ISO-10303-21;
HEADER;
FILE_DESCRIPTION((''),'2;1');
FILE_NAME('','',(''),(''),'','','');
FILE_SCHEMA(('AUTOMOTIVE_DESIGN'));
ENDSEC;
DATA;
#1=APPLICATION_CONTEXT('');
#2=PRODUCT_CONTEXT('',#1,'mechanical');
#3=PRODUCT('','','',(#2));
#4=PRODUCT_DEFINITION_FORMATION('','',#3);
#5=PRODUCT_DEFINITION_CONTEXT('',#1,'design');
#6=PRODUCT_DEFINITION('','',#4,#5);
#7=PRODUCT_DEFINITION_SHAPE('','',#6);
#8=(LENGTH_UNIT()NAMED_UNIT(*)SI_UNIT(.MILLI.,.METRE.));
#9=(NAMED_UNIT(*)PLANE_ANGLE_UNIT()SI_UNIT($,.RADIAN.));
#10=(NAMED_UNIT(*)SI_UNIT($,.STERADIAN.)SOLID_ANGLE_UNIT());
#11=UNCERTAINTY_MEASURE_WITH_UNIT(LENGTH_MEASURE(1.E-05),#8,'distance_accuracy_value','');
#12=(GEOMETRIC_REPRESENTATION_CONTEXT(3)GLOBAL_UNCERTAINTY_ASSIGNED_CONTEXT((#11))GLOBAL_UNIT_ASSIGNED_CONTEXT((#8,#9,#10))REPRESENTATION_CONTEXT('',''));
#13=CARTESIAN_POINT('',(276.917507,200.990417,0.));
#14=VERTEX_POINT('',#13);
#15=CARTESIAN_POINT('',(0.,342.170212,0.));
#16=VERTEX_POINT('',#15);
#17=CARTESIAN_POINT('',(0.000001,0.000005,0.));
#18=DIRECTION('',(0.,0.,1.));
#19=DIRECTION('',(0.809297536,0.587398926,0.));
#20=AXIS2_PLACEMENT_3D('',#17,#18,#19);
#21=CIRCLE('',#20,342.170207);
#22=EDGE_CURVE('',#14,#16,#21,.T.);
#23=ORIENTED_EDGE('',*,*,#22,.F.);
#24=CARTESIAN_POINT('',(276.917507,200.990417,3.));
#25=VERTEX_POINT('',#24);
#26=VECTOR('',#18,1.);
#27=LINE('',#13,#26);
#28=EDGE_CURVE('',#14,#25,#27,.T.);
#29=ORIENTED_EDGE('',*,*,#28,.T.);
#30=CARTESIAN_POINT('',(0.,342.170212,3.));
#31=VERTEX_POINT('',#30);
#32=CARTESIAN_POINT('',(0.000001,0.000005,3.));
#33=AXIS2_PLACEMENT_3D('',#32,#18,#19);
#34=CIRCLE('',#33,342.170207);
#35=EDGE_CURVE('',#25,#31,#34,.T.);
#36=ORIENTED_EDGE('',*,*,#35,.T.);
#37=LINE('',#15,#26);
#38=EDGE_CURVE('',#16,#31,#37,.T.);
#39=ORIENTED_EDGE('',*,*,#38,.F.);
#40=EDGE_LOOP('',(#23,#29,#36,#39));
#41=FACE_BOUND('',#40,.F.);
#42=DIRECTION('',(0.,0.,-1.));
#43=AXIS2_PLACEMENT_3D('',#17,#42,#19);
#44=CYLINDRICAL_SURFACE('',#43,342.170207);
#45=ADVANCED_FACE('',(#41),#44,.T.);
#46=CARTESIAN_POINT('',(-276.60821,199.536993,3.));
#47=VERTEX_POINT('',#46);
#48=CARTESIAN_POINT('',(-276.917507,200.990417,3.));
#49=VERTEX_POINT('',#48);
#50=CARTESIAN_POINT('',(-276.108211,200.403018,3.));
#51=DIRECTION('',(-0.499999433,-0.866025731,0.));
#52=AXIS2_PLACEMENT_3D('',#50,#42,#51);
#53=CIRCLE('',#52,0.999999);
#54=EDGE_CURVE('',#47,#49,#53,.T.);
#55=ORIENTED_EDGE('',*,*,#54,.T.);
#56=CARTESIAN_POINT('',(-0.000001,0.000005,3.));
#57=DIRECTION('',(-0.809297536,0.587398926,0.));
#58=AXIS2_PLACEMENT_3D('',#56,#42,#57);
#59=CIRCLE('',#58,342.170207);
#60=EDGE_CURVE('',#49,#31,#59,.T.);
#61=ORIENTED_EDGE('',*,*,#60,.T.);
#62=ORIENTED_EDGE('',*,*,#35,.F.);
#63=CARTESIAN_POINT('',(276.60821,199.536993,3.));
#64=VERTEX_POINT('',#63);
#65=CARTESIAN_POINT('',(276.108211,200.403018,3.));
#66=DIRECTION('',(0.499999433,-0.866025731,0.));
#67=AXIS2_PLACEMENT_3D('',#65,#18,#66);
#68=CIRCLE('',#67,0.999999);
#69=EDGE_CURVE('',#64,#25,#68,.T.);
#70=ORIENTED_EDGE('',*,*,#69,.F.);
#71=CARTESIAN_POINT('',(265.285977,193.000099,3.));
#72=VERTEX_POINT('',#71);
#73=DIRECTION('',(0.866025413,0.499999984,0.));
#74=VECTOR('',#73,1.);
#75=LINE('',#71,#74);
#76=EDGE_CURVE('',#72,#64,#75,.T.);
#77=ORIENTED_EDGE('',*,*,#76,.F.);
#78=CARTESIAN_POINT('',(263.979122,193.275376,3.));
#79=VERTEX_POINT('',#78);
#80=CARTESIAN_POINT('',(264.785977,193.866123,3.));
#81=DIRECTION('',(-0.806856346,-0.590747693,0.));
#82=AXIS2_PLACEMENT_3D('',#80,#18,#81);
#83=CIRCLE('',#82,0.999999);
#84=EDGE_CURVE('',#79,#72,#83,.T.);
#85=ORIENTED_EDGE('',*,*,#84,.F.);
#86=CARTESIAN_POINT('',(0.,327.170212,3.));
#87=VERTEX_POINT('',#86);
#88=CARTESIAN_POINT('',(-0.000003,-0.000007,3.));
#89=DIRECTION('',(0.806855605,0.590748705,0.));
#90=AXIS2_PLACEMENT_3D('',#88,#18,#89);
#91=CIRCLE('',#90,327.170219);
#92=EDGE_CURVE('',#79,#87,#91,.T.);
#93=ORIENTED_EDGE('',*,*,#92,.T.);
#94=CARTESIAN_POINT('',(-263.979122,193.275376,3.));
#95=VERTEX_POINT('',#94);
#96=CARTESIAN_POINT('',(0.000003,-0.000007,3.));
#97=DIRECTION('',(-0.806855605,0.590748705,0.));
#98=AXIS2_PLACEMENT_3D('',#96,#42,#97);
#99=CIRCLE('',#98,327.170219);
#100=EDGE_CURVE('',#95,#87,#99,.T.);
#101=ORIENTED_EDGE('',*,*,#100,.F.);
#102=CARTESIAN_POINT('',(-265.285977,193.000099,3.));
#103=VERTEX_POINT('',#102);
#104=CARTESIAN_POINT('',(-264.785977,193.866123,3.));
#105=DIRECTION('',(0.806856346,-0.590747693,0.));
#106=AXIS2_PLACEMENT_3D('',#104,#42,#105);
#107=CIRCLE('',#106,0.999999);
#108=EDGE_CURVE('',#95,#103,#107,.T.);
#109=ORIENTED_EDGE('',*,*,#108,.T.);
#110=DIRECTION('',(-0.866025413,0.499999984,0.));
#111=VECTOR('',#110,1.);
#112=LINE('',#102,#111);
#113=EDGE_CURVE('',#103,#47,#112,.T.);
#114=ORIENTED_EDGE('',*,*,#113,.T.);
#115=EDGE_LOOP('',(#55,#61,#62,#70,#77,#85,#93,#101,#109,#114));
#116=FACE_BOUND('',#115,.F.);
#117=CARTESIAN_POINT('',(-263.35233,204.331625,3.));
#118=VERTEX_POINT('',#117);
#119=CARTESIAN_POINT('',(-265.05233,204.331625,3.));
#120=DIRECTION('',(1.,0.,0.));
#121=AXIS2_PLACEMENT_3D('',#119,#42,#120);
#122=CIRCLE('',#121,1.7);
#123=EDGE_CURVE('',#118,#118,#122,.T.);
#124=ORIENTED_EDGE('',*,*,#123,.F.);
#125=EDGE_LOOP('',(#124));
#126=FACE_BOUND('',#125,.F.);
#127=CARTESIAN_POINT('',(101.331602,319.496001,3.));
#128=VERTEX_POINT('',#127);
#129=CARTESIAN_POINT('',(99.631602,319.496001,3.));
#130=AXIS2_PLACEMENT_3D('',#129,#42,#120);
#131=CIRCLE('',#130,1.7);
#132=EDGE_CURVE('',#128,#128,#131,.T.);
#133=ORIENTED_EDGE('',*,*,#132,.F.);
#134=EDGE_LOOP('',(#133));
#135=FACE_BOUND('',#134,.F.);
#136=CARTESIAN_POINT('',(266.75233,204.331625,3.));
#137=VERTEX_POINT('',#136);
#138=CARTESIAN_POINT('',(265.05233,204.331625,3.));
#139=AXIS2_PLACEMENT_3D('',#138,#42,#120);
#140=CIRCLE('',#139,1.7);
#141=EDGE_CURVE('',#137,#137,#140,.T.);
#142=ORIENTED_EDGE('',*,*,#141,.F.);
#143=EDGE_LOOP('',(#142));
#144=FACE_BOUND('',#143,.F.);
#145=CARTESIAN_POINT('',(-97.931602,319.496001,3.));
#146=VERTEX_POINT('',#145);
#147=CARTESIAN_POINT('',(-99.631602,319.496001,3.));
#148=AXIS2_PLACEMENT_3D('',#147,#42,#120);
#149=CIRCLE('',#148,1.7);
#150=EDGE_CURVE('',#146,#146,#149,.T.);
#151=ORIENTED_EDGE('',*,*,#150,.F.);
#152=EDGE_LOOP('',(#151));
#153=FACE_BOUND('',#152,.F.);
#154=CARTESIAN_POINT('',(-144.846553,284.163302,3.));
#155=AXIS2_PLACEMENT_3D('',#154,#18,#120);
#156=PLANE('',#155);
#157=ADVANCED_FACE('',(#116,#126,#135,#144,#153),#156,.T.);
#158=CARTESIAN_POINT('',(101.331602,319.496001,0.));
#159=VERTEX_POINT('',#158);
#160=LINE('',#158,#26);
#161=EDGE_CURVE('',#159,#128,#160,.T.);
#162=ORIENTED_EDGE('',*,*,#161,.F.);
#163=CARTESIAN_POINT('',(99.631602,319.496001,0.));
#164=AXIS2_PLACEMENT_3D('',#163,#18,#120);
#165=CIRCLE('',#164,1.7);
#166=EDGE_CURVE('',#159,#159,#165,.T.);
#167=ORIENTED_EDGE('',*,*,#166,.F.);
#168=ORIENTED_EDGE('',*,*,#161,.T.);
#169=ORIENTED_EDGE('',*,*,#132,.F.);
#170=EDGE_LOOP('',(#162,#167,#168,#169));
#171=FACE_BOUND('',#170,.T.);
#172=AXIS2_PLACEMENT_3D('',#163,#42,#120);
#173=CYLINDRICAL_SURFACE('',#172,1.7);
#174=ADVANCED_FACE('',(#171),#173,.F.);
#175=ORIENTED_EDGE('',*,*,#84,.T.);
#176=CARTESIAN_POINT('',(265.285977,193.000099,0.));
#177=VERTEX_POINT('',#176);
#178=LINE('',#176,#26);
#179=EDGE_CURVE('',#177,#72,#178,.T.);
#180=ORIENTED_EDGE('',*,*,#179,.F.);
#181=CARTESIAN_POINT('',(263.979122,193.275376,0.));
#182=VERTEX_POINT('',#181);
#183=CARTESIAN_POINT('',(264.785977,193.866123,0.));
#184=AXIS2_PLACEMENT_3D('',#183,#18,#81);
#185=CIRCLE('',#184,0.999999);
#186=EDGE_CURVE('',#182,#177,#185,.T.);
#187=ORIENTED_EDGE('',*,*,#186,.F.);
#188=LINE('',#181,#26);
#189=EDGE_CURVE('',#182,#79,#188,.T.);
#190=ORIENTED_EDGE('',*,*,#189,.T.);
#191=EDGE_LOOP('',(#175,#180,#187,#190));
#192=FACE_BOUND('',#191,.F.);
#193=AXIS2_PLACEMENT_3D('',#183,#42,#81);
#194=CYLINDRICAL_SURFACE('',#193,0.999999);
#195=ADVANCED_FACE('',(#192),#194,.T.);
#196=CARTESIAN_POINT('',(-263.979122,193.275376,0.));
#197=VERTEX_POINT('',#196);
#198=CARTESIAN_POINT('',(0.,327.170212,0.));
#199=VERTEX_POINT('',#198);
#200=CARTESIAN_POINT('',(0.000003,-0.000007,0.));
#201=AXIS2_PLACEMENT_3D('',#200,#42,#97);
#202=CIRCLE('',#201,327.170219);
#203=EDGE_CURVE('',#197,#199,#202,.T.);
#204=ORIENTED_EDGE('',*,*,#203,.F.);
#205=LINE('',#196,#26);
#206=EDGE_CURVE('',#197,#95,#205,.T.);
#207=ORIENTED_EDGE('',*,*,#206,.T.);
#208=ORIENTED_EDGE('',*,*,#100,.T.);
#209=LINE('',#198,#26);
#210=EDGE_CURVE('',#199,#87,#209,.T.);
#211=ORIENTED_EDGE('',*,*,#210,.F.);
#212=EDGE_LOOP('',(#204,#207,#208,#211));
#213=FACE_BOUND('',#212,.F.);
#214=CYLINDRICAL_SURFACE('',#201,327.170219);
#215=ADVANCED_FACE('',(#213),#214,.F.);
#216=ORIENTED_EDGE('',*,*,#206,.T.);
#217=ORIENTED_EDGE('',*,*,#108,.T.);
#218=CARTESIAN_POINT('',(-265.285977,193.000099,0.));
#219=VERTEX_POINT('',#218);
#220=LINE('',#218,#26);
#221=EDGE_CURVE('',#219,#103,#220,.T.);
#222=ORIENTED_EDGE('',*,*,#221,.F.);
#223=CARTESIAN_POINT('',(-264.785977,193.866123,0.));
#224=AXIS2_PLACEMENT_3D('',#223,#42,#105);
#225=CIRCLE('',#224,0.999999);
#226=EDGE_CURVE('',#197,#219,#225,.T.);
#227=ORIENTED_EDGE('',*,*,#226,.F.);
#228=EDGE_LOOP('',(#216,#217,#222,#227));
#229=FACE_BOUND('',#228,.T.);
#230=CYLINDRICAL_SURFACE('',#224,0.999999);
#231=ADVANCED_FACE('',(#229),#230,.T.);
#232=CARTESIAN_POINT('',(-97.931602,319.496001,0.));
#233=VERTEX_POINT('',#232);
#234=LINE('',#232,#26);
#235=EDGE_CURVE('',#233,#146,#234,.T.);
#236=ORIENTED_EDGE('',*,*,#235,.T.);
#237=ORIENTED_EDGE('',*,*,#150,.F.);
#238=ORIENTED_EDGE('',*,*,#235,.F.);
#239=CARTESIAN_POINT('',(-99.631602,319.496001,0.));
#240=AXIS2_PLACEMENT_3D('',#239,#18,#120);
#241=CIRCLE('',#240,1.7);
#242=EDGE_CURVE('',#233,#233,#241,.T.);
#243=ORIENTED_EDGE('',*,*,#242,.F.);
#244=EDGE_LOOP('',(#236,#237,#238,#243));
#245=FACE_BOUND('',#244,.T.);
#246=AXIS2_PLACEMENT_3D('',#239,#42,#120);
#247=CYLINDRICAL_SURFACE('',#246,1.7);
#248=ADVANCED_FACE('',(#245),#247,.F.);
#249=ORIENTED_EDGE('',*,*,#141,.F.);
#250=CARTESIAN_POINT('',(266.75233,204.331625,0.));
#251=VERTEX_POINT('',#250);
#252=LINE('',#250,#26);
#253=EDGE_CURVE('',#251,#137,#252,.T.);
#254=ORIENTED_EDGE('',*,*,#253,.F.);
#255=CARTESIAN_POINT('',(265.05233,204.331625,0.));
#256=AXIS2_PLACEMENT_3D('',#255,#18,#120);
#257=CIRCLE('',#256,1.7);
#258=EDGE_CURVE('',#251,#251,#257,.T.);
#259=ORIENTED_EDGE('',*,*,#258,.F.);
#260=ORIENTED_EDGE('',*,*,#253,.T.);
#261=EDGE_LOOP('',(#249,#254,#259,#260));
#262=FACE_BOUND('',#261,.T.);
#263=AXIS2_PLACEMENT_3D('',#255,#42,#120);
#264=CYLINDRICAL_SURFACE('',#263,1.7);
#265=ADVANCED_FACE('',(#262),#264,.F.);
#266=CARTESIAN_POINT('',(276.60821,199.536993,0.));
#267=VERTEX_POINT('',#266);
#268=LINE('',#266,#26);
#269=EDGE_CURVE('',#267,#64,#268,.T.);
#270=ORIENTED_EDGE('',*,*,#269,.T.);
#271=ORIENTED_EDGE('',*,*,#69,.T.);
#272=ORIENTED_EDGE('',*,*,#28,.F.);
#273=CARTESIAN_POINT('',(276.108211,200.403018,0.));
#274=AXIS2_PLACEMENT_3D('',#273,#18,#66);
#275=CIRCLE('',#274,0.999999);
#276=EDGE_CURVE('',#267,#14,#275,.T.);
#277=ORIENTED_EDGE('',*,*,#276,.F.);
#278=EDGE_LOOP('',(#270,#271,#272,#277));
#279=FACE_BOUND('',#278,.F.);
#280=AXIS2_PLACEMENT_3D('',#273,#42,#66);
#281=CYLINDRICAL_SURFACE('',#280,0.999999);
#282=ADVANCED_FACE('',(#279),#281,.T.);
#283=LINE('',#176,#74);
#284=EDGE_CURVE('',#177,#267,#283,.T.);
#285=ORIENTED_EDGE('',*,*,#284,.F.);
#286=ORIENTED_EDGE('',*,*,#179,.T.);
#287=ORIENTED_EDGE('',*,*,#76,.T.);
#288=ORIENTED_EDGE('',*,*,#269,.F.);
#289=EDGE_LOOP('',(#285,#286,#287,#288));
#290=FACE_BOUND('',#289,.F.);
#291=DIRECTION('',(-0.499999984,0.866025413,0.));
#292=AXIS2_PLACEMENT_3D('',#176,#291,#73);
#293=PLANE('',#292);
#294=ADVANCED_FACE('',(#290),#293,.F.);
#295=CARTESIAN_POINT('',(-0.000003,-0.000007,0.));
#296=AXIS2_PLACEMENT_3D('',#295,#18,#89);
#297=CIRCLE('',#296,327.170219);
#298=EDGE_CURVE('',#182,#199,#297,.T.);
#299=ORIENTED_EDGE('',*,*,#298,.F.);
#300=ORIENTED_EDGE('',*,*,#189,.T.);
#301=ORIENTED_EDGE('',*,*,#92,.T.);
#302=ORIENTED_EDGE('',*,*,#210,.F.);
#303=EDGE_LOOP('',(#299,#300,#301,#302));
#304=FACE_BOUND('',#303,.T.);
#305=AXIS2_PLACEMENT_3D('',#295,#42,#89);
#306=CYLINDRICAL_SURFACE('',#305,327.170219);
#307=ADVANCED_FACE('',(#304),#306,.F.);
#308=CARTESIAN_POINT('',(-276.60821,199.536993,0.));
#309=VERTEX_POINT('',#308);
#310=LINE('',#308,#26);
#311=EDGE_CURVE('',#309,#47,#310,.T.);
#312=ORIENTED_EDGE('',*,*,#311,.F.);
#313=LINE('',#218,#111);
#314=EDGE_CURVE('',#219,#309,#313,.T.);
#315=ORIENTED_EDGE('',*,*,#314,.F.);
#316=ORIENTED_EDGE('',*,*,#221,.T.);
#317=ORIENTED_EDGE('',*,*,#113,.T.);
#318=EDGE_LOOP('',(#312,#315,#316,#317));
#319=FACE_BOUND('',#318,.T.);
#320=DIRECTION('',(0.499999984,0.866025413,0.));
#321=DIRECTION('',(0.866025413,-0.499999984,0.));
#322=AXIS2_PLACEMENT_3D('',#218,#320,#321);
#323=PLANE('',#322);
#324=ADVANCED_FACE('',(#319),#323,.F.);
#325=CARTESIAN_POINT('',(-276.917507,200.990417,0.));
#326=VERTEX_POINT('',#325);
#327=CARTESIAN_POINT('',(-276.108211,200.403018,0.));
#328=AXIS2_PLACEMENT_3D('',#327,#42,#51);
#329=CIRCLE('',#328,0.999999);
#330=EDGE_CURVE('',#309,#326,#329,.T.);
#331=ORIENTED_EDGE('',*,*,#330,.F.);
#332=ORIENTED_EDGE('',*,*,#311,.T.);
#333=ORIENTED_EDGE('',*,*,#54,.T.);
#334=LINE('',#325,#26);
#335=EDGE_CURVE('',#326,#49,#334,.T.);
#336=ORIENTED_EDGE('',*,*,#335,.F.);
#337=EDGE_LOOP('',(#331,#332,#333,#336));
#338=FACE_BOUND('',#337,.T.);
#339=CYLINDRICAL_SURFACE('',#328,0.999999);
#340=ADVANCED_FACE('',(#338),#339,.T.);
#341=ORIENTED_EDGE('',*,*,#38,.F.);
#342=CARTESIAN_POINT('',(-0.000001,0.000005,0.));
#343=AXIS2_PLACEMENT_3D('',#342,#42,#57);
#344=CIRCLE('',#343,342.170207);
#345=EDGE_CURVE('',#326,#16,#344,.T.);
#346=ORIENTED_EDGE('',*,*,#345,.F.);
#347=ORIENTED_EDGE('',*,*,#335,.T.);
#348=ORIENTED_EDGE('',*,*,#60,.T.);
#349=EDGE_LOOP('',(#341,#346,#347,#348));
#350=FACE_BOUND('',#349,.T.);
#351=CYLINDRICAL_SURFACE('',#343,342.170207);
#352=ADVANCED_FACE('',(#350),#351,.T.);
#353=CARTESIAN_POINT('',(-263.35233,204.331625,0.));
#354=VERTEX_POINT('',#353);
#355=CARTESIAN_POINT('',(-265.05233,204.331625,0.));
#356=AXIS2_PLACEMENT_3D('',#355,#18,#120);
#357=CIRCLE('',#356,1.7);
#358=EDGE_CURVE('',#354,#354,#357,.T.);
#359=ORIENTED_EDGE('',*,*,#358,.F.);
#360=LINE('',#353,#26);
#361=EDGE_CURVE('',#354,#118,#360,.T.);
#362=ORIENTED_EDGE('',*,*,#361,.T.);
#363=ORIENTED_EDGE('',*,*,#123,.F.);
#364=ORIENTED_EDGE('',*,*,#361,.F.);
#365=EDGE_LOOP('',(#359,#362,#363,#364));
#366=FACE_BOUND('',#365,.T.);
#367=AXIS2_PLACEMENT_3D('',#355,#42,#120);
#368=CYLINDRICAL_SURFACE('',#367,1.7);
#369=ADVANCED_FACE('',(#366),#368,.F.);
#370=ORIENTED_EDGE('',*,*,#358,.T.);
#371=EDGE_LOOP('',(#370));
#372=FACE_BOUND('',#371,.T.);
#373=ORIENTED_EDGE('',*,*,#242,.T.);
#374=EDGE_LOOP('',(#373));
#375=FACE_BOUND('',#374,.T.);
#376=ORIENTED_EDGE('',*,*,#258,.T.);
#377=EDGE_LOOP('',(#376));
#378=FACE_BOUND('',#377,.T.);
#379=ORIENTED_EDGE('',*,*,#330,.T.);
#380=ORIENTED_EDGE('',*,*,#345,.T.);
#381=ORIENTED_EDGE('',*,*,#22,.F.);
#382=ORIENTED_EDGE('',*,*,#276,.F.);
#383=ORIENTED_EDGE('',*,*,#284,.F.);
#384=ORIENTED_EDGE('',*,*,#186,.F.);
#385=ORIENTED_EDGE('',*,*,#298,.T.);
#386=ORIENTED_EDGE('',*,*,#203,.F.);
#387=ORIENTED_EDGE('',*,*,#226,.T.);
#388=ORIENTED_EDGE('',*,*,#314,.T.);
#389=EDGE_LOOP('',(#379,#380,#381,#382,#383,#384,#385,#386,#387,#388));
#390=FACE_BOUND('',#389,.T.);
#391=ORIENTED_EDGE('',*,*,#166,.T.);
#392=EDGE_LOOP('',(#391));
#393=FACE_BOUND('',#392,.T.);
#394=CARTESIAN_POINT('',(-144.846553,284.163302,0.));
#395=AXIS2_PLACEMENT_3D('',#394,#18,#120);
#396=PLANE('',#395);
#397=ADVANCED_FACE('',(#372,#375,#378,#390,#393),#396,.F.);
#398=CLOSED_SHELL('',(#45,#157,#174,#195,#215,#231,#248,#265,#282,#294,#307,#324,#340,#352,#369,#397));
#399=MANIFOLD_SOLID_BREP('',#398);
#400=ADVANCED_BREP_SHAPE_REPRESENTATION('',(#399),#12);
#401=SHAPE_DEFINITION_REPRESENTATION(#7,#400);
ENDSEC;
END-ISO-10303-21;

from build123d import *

# Parameters (mm, degrees)
PAD004_DEPTH         = 3
SKETCH053_R          = 1.7
POCKET024_DEPTH      = 0.001
POCKET024_DEPTH_BACK = 3.001


with BuildPart() as part:
    # Sketch052 → Pad004 (new body)
    with BuildSketch(Plane.XY):
        with BuildLine():
            ThreePointArc((276.917507, 200.990417), (155.4148, 304.8388), (0, 342.170212))
            Line((0, 327.170212), (0, 342.170212))
            ThreePointArc((263.979122, 193.275376), (147.9973, 291.782704), (0, 327.170212))
            ThreePointArc((263.979122, 193.275376), (264.57986, 192.887597), (265.285977, 193.000099))
            Line((265.285977, 193.000099), (276.60821, 199.536993))
            ThreePointArc((276.60821, 199.536993), (277.086308, 200.194873), (276.917507, 200.990417))
        make_face()
    pad004 = extrude(amount=PAD004_DEPTH)

    # Mirrored009: Pad004 across Sketch052 V_Axis
    add(pad004.mirror(Plane(origin=(0, 0, 0), x_dir=(0, 0, 1), z_dir=(1, 0, 0))))

    # Sketch053 → Pocket024 (cut, two sides)
    with BuildSketch(Plane.XY) as pocket024_sk:
        with Locations((99.631602, 319.496001)):
            Circle(SKETCH053_R)
        with Locations((265.05233, 204.331625)):
            Circle(SKETCH053_R)
        with Locations((-99.631602, 319.496001)):
            Circle(SKETCH053_R)
        with Locations((-265.05233, 204.331625)):
            Circle(SKETCH053_R)
    extrude(amount=-POCKET024_DEPTH, mode=Mode.SUBTRACT)
    extrude(pocket024_sk.sketch, amount=POCKET024_DEPTH_BACK, mode=Mode.SUBTRACT)


solid = part.part
